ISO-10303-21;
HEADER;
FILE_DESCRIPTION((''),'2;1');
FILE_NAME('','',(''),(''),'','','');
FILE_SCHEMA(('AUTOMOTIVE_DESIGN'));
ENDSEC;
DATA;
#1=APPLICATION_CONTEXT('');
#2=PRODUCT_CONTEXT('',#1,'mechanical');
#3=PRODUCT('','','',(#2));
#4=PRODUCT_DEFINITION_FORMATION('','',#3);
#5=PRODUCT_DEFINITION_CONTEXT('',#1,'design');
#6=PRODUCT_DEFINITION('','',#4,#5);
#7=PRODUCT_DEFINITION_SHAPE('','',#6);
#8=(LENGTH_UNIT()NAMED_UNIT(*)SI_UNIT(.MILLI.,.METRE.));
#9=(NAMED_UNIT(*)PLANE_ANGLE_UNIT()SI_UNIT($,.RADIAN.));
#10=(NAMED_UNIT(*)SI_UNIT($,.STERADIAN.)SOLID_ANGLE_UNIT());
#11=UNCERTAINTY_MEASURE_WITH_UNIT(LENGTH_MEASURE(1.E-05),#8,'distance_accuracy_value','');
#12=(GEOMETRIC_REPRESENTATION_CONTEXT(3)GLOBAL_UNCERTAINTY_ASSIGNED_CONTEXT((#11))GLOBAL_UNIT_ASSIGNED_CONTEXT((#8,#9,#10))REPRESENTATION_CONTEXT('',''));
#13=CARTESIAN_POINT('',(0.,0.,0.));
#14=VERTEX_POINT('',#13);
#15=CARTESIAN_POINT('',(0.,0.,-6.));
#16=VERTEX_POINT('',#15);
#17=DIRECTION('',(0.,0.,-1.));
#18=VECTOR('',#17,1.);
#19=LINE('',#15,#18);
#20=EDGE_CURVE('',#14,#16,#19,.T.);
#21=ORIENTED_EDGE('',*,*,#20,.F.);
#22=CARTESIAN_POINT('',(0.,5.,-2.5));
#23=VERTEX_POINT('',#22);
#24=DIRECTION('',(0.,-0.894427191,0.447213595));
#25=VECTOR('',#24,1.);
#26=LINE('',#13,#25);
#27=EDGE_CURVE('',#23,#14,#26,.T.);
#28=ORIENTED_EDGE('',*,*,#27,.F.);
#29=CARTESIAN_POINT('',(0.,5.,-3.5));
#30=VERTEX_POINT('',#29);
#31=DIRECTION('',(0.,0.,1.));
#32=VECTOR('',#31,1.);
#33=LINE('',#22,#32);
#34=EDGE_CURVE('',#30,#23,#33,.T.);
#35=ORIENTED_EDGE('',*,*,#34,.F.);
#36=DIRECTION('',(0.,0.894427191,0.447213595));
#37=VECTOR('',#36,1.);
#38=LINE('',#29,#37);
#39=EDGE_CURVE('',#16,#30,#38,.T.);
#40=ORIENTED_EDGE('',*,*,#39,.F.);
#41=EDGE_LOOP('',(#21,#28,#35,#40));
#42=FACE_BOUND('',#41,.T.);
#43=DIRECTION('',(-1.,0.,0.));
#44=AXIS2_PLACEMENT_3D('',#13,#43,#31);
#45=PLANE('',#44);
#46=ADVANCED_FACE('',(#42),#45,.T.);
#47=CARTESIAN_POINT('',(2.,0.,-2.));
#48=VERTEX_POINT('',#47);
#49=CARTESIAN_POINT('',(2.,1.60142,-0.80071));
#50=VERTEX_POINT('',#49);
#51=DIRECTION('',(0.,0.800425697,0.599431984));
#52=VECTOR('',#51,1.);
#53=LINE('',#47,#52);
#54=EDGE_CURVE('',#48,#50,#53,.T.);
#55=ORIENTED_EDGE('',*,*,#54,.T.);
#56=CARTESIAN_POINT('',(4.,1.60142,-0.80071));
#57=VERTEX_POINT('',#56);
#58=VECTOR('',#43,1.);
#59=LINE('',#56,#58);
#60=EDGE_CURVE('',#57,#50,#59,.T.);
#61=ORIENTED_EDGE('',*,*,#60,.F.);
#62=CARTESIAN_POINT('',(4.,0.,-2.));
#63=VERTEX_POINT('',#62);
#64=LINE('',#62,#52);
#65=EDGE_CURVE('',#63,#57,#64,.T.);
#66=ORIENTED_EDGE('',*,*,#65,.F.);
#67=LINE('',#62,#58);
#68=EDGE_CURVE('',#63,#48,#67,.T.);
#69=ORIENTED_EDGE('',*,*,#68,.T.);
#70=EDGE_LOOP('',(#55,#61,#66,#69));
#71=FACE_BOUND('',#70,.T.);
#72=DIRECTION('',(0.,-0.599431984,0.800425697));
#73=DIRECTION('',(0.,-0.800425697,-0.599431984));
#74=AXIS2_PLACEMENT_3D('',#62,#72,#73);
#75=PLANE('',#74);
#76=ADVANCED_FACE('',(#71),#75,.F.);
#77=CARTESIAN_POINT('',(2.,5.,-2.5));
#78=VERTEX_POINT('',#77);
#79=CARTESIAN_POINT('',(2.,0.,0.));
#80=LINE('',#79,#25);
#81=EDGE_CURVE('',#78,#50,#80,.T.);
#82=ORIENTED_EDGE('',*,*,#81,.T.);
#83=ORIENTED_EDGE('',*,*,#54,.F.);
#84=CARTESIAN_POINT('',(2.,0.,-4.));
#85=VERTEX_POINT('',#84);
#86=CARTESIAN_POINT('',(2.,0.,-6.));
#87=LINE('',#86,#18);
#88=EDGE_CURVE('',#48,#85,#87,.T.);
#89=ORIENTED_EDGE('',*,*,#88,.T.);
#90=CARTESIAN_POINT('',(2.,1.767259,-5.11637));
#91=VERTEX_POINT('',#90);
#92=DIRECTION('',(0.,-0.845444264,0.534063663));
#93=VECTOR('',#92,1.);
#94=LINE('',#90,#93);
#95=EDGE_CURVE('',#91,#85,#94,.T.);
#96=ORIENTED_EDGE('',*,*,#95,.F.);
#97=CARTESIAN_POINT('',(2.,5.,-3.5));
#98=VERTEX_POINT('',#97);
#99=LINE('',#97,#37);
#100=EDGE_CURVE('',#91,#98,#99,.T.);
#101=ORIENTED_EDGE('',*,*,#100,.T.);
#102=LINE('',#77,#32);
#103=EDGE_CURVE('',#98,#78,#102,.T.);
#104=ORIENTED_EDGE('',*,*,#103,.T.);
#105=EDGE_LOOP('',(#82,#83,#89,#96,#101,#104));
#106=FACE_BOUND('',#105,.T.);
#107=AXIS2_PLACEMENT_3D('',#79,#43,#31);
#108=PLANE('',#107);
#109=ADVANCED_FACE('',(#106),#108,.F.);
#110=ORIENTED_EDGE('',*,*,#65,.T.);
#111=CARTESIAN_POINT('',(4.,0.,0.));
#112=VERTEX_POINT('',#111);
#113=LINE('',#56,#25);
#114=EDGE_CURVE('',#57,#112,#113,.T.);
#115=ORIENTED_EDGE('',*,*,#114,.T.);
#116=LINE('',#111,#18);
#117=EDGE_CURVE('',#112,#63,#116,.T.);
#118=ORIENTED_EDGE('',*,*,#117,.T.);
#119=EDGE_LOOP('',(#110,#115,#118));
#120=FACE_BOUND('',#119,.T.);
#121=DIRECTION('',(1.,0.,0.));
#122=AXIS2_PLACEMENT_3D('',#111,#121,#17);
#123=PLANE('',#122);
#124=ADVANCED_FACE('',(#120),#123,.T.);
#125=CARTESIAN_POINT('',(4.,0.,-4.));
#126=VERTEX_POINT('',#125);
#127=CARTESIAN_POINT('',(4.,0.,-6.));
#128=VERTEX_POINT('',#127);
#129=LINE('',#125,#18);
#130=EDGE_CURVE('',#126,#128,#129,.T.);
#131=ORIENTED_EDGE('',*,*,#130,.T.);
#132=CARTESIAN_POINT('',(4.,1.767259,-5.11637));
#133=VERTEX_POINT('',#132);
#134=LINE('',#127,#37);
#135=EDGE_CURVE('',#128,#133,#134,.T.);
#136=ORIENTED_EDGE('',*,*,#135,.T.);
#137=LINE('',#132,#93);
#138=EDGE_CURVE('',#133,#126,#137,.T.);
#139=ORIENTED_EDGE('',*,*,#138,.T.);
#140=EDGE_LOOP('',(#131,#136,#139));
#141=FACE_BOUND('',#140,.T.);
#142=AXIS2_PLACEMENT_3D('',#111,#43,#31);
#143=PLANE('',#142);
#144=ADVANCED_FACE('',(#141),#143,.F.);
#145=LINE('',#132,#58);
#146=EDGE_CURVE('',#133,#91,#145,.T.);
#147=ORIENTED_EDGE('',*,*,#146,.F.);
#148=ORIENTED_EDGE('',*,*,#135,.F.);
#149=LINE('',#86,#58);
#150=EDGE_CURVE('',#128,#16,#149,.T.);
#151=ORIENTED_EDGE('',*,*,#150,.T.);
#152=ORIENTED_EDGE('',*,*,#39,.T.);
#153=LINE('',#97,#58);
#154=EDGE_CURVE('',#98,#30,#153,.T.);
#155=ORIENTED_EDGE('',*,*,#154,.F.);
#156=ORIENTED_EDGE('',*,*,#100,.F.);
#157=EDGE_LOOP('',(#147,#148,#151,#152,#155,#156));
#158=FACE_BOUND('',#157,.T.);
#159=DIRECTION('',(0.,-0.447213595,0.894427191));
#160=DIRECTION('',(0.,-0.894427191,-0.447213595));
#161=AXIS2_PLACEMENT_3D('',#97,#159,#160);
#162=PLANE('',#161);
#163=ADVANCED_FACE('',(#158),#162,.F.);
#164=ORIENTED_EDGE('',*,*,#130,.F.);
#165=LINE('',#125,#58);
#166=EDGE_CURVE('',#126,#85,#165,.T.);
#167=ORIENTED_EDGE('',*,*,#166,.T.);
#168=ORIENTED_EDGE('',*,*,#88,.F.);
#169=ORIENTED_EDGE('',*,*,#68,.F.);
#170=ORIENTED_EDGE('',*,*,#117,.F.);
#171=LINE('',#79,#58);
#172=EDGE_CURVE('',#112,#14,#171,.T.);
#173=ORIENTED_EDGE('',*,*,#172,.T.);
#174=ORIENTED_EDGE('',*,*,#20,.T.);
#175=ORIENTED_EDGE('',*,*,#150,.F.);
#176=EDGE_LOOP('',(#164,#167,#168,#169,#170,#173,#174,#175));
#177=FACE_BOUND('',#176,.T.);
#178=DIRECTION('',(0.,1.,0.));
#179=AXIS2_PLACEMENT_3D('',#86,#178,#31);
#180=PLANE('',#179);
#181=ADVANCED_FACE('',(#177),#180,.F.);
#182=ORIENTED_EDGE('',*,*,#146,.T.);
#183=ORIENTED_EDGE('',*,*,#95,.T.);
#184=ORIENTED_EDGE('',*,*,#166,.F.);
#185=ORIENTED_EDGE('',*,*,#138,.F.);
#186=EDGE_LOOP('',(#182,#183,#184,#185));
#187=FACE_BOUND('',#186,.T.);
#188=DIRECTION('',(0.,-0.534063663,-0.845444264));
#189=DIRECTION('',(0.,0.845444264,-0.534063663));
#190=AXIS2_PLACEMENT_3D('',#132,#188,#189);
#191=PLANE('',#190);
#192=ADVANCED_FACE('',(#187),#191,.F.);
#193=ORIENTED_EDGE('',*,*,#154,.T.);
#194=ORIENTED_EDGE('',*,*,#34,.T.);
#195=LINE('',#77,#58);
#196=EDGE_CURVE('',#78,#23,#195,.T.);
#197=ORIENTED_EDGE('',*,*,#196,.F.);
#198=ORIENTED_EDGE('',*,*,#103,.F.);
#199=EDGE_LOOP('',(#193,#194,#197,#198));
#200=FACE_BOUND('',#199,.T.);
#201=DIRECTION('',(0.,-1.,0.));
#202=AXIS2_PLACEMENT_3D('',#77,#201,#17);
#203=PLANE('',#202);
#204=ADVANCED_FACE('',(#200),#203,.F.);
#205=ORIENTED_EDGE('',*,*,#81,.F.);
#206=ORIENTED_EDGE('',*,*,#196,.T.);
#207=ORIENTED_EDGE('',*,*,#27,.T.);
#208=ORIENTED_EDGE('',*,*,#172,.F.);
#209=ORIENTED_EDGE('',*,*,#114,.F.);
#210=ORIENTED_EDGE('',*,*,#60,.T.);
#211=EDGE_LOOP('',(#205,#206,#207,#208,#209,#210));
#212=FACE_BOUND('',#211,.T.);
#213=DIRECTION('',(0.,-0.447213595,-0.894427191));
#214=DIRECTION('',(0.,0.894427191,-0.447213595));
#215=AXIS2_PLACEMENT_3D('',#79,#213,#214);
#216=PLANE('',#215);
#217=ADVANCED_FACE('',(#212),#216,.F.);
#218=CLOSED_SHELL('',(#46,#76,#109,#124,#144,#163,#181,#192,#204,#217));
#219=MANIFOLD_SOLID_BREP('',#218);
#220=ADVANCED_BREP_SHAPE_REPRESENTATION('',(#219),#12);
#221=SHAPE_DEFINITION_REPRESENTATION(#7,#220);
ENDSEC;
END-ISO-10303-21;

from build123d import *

# Parameters (mm, degrees)
BOSS_EXTRUDE1_DEPTH = 2
BOSS_EXTRUDE2_DEPTH = 2


with BuildPart() as part:
    # Sketch1 → Boss-Extrude1 (new body)
    with BuildSketch(Plane(origin=(0, 0, 0), x_dir=(0, 0, -1), z_dir=(1, 0, 0))):
        Polygon((0, 0), (2.5, 5), (3.5, 5), (6, 0), align=None)
    extrude(amount=BOSS_EXTRUDE1_DEPTH)

    # Sketch2 → Boss-Extrude2 (add)
    with BuildSketch(Plane(origin=(2, 0, 0), x_dir=(0, 0, -1), z_dir=(1, 0, 0))):
        Polygon((0, 0), (2, 0), (0.800710083, 1.601420167), align=None)
        Polygon((4, 0), (6, 0), (5.116370384, 1.767259231), align=None)
    extrude(amount=BOSS_EXTRUDE2_DEPTH)


solid = part.part
